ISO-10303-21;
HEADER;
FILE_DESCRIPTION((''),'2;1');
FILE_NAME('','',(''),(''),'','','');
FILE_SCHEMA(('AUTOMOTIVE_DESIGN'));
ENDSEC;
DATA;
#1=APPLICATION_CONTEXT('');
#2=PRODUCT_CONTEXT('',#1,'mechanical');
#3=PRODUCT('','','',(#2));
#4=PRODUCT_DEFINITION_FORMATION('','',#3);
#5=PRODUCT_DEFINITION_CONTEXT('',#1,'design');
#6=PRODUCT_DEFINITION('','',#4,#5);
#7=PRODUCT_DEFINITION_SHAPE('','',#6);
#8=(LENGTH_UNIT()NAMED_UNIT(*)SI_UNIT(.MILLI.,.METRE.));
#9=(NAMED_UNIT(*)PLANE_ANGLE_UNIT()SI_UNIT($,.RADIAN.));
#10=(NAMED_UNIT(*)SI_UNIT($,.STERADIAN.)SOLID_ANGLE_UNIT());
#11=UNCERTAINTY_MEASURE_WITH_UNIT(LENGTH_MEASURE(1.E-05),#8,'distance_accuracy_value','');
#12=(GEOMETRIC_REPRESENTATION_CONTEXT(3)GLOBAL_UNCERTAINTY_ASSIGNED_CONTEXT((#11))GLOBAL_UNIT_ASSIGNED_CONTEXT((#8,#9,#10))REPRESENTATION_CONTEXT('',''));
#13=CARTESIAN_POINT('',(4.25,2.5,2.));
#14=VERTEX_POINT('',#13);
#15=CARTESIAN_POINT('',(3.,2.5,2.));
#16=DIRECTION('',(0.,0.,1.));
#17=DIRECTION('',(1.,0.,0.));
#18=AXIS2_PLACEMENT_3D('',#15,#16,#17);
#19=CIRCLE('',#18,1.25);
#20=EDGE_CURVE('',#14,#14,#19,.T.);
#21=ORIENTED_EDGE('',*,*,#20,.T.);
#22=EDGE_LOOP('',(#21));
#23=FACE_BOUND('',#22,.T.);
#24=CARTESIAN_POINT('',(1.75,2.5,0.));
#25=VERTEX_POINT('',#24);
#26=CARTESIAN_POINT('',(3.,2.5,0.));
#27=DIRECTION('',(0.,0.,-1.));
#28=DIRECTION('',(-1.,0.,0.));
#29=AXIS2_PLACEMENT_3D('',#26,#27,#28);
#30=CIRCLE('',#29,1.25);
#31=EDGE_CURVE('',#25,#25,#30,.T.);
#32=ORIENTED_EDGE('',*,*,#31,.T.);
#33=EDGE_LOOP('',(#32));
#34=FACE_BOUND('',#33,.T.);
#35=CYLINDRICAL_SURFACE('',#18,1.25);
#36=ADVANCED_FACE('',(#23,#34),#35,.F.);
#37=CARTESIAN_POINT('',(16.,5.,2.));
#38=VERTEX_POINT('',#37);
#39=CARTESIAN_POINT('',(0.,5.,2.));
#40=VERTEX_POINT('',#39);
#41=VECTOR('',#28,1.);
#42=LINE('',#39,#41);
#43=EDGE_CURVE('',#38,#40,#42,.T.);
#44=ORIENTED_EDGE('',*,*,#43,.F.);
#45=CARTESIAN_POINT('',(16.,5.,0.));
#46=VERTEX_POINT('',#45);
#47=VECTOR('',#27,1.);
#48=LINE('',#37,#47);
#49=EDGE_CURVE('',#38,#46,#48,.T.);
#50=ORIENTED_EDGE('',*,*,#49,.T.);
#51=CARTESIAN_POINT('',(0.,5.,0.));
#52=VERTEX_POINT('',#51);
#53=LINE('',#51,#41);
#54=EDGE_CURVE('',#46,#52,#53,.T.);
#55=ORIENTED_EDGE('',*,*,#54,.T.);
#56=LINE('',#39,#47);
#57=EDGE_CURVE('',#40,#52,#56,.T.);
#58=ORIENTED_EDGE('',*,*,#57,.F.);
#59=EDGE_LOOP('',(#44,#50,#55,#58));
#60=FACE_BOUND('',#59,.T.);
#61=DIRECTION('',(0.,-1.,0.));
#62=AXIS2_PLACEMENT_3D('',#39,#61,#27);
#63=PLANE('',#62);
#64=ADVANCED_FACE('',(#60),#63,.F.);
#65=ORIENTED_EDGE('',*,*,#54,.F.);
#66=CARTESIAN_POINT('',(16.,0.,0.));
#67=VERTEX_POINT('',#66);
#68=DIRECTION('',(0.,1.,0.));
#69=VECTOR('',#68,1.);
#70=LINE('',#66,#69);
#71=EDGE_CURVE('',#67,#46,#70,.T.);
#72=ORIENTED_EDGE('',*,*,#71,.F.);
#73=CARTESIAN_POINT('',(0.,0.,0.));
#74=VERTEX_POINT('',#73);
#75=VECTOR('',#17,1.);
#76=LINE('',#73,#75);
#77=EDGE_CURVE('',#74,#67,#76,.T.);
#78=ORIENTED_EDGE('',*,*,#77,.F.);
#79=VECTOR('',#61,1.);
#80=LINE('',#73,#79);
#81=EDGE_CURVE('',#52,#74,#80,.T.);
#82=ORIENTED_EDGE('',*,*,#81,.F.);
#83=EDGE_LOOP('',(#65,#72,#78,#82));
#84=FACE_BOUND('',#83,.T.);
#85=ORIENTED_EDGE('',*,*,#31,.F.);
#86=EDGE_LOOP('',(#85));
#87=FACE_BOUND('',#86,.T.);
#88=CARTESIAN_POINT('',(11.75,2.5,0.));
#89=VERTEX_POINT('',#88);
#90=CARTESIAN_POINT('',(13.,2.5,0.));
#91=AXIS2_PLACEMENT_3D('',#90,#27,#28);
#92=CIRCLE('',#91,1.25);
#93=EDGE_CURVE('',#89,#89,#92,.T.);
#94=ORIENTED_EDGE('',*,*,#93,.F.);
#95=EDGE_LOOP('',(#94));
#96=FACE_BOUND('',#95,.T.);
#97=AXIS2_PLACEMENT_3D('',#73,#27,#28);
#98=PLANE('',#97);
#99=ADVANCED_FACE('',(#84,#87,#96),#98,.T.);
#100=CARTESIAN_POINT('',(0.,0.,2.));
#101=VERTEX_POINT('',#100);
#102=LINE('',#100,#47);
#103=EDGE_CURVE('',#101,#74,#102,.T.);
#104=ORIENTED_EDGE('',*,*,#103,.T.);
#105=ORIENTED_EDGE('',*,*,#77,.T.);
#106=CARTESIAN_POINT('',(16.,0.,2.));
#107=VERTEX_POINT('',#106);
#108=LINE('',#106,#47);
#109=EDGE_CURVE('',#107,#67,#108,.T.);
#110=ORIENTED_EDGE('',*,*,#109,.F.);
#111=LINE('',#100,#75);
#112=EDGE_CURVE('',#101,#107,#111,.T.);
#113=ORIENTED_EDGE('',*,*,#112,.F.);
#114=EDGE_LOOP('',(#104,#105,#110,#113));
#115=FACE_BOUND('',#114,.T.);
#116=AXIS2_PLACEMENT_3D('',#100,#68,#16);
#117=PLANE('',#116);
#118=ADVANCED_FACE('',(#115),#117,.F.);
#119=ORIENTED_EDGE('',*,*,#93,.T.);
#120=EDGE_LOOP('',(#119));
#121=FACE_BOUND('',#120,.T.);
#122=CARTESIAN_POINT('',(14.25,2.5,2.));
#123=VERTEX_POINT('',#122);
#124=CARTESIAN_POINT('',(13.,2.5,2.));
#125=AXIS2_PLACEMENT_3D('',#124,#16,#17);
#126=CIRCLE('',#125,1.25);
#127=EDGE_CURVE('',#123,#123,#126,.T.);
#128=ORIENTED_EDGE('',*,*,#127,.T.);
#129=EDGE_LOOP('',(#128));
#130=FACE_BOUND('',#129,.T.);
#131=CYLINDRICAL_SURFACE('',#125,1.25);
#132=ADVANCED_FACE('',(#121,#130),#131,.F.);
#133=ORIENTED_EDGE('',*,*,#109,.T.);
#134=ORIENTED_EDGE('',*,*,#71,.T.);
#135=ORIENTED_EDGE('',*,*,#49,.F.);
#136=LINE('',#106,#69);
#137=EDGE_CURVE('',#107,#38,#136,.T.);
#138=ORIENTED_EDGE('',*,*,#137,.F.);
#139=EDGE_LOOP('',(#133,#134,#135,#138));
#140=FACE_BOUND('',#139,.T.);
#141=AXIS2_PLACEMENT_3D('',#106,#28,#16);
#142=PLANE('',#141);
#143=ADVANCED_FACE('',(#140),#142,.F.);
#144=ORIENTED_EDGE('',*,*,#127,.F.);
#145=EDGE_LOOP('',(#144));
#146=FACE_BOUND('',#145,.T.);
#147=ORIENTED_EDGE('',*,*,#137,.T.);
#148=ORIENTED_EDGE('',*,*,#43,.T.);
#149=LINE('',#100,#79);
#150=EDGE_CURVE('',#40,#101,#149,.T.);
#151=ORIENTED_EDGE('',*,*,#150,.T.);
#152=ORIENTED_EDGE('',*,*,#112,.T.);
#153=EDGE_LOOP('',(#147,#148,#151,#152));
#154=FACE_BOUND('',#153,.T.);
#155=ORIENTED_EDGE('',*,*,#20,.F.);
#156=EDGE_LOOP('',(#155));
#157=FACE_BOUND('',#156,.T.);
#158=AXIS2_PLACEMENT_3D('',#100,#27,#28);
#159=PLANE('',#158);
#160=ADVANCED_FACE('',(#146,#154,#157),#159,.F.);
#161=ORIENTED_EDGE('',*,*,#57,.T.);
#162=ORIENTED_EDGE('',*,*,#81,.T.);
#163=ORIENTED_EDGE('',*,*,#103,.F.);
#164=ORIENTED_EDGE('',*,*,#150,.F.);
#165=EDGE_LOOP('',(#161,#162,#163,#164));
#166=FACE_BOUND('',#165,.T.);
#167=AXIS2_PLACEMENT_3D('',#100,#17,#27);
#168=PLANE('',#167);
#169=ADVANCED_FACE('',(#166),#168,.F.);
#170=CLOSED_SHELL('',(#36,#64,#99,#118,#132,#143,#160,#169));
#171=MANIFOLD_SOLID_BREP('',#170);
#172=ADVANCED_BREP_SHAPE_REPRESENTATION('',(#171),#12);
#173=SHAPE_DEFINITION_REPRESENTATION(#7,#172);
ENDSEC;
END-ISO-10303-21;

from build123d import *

# Parameters (mm, degrees)
SKIZZE1_W                       = 16
SKIZZE1_H                       = 5
AUFSATZ_LINEAR_AUSTRAGEN1_DEPTH = 2
M3_GEWINDEBOHRUNG1_D            = 2.5


with BuildPart() as part:
    # Skizze1 → Aufsatz-Linear austragen1 (new body)
    with BuildSketch(Plane.XY):
        with Locations((8, 2.5)):
            Rectangle(SKIZZE1_W, SKIZZE1_H)
    extrude(amount=AUFSATZ_LINEAR_AUSTRAGEN1_DEPTH)

    # M3 Gewindebohrung1 (through all)
    with Locations(Plane.XY.offset(2)):
        with Locations((3, 2.5), (13, 2.5)):
            Hole(M3_GEWINDEBOHRUNG1_D / 2)


solid = part.part
